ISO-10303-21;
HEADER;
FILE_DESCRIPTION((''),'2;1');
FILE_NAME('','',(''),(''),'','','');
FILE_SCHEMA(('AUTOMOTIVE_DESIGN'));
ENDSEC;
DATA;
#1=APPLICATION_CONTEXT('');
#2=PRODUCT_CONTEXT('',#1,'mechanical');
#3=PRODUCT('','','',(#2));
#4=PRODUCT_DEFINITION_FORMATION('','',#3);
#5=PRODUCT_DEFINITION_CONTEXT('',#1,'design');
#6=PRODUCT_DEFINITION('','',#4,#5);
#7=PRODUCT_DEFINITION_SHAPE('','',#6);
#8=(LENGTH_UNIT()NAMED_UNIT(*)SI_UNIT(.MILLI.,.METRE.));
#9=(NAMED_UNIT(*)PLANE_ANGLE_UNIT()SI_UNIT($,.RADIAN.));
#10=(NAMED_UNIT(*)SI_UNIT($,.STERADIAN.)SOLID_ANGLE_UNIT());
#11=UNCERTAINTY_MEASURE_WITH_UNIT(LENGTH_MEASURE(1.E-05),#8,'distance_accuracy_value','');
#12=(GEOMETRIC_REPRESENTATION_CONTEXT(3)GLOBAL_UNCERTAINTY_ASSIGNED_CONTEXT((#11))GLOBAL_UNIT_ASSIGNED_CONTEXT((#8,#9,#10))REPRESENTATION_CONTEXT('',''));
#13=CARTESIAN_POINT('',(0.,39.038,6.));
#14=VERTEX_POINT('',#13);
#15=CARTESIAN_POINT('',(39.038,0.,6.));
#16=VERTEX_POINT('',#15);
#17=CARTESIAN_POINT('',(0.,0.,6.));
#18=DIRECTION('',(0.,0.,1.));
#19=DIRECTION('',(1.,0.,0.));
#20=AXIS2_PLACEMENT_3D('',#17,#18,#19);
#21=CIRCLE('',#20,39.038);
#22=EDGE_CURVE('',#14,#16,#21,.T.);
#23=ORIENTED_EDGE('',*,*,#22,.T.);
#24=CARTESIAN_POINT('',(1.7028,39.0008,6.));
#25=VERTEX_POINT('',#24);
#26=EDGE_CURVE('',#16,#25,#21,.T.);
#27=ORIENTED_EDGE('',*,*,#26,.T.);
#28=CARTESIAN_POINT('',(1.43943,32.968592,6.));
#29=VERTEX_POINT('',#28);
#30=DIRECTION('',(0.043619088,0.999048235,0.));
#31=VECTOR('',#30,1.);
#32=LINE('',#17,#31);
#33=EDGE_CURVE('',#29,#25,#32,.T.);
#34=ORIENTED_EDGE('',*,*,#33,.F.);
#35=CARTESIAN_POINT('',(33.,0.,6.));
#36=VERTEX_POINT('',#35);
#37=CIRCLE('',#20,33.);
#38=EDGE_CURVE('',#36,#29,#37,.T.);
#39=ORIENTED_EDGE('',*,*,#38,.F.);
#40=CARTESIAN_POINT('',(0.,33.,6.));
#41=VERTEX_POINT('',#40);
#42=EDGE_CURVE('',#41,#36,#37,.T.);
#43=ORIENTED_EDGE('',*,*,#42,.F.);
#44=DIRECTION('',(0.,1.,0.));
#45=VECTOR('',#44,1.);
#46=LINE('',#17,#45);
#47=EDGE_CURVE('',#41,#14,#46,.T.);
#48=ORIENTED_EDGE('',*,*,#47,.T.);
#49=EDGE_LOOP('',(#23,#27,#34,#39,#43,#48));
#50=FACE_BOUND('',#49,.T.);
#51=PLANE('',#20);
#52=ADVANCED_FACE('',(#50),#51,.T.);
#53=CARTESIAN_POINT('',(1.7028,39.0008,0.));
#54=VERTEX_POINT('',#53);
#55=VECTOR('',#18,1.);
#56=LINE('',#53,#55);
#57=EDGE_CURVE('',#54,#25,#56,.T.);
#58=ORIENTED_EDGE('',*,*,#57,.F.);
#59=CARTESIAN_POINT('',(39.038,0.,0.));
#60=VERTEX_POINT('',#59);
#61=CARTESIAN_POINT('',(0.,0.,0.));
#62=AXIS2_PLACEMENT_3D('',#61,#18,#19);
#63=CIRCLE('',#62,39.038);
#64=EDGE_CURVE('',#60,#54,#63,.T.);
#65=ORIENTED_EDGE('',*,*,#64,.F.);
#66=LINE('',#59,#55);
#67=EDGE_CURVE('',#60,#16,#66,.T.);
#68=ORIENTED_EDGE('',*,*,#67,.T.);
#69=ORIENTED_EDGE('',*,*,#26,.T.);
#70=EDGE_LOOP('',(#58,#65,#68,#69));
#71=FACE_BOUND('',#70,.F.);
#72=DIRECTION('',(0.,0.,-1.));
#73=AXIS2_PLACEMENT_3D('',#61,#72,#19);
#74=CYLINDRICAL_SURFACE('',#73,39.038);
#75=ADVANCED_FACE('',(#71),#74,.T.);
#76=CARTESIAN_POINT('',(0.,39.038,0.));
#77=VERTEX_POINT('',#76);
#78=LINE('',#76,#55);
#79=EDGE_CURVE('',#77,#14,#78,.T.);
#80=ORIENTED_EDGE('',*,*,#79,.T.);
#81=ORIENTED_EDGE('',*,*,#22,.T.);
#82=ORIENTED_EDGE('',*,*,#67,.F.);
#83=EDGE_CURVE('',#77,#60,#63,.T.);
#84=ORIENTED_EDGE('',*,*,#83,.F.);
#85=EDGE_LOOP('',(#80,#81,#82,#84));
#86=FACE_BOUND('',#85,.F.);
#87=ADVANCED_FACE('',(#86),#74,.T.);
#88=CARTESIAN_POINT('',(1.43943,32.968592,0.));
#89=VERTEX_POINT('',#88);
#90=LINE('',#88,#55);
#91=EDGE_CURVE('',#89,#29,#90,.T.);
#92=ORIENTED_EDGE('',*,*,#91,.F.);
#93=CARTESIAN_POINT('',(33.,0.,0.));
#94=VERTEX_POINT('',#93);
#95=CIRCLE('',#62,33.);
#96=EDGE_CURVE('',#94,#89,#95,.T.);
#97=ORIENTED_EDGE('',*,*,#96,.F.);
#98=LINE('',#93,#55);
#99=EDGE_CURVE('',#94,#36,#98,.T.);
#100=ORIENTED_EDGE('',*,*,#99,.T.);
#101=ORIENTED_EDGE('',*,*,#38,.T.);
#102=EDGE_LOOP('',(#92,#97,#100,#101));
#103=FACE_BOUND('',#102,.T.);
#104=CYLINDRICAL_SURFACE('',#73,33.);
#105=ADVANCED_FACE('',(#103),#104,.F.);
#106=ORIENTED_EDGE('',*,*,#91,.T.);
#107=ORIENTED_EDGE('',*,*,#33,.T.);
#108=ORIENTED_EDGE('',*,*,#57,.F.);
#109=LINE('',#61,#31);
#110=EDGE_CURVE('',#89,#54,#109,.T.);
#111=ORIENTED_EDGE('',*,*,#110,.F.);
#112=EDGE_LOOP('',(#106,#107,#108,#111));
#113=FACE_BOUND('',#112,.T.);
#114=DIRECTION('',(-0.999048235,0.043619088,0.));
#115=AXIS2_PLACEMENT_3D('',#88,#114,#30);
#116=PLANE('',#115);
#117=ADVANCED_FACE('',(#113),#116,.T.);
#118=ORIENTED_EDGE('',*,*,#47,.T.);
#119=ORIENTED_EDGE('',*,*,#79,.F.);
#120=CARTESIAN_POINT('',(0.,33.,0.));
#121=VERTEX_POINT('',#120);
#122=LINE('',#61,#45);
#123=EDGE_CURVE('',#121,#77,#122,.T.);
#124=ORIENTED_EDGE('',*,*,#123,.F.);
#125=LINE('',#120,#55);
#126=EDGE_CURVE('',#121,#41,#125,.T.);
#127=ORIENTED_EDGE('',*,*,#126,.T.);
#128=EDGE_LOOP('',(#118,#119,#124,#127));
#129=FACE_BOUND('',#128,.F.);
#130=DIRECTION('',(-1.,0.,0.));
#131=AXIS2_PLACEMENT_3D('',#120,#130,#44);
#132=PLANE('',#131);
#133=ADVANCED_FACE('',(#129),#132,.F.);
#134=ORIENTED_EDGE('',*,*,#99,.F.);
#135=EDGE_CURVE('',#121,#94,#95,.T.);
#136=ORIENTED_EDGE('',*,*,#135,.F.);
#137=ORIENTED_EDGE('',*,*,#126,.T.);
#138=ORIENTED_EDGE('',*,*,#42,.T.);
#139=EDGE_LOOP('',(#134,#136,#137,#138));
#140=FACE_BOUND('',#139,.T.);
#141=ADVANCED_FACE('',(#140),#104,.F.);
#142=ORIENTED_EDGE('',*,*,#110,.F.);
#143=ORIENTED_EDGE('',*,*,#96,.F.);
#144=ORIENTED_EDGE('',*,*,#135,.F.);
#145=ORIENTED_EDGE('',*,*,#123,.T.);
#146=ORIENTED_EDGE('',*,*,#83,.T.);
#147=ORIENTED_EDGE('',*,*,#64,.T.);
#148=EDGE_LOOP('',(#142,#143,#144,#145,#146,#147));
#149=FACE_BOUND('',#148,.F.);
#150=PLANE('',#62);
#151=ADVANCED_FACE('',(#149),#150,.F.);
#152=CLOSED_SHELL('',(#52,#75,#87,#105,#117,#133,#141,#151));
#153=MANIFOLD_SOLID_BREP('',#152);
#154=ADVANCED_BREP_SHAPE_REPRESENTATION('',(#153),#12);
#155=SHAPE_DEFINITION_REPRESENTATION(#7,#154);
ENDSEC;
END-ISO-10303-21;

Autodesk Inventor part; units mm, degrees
ref_plane "YZ Plane" through (0, 0, 0) normal (1, 0, 0) x (0, 1, 0)
ref_plane "XZ Plane" through (0, 0, 0) normal (0, 1, 0) x (-1, 0, 0)
ref_plane "XY Plane" through (0, 0, 0) normal (0, 0, 1) x (1, 0, 0)
sketch "Sketch13" plane through (0, 0, 0) normal (0, 0, 1) x (1, 0, 0)
  circle A0 centre (0, 0) radius 33
  circle A1 centre (0, 0) radius 39.038
  line L0 (0, 0) -> (0, 39.038)
  line L1 (0, 0) -> (1.7028, 39.0008)
  line L2 (0, 0) -> (39.038, 0) construction
  point P0 (1.4394, 32.9686)
  point P1 (0, 33)
  dimension "d62" = 66
  dimension "d63" = 78.076
  dimension "d64" = 87.5
extrude "Extrusion12" add sketch "Sketch13" along normal blind 6 contours A0 L1 A1 L0 picked at (-2.8956, 36.6991)
sketch "Sketch4" plane through (40, -2.75, -25.3875) normal (1, 0, 0) x (0, 0, -1)
  line L0 (-51.025, 0.25) -> (-51.6313, 0.25) projected
  line L1 (-51.025, 0.25) -> (-55.267, 0.25)
  line L2 (-55.267, 0.25) -> (-55.267, 5.25)
  line L3 (-55.267, 5.25) -> (-51.025, 5.25)
  line L4 (-51.025, 5.25) -> (-51.025, 0.25)
  point P0 (-25.3875, 2.75)
  point P1 (-51.6313, 0.25)
  dimension "d33" = 4.242
  dimension "d34" = 5
sketch "Sketch5" plane through (40, -2.75, -25.3875) normal (1, 0, 0) x (0, 0, -1)
  line L0 (-51.6563, 0.25) -> (-55.267, 0.25) projected
  line L1 (-55.267, 5.25) -> (-51.6563, 5.25) projected
  line L2 (-55.267, 0.25) -> (-52.267, 0.25)
  line L3 (-52.267, 0.25) -> (-52.267, 5.25)
  line L4 (-52.267, 5.25) -> (-55.267, 5.25)
  line L5 (-55.267, 5.25) -> (-55.267, 0.25)
  point P0 (-25.3875, 2.75)
  point P1 (-55.267, 5.25)
  point P2 (-52.267, 0.25)
  dimension "d37" = 3
sketch "Sketch6" plane through (220, -2.75, -25.3875) normal (1, 0, 0) x (0, 0, -1)
  line L0 (-51.6563, 0.25) -> (-55.267, 0.25) projected
  line L1 (-55.267, 0.25) -> (-51.025, 0.25)
  line L2 (-51.025, 0.25) -> (-51.025, 5.25)
  line L3 (-51.025, 5.25) -> (-55.267, 5.25)
  line L4 (-55.267, 5.25) -> (-55.267, 0.25)
  point P0 (-25.3875, 2.75)
  dimension "d40" = 4.242
sketch "Sketch7" plane through (30, -2.75, -25.3875) normal (-1, 0, 0) x (0, 0, 1)
  line L0 (55.267, 0.25) -> (55.267, 5.25) projected
  line L1 (55.267, 0.25) -> (58.267, 0.25)
  line L2 (58.267, 0.25) -> (58.267, 5.25)
  line L3 (58.267, 5.25) -> (55.267, 5.25)
  line L4 (55.267, 5.25) -> (55.267, 0.25)
  point P0 (25.3875, 2.75)
  dimension "d43" = 3
  dimension "d44" = 5
sketch "Sketch8" plane through (30, -2.75, -25.3875) normal (-1, 0, 0) x (0, 0, 1)
  line L0 (51.6563, 0.25) -> (58.267, 0.25) projected
  line L1 (58.267, 5.25) -> (51.6563, 5.25) projected
  line L2 (58.267, 0.25) -> (57.025, 0.25)
  line L3 (57.025, 0.25) -> (57.025, 5.25)
  line L4 (57.025, 5.25) -> (58.267, 5.25)
  line L5 (58.267, 5.25) -> (58.267, 0.25)
  point P0 (25.3875, 2.75)
  point P1 (57.025, 0.25)
  dimension "d47" = 1.242
sketch "Sketch9" plane through (40, -2.75, -25.3875) normal (1, 0, 0) x (0, 0, -1)
  line L0 (-52.267, 0.25) -> (-51.025, 0.25) projected
  line L1 (-51.025, 5.25) -> (-51.025, 0.25) projected
  line L2 (-52.267, 0.25) -> (-51.025, 0.25)
  line L3 (-51.025, 0.25) -> (-51.025, 5.25)
  line L4 (-51.025, 5.25) -> (-52.267, 5.25)
  line L5 (-52.267, 5.25) -> (-52.267, 0.25)
  point P0 (-25.3875, 2.75)
properties part number "4002_Bias_Coil_Holder_Tube_Mount_Layer2_MPSv2_v1" material "Acetal Resin, White"
